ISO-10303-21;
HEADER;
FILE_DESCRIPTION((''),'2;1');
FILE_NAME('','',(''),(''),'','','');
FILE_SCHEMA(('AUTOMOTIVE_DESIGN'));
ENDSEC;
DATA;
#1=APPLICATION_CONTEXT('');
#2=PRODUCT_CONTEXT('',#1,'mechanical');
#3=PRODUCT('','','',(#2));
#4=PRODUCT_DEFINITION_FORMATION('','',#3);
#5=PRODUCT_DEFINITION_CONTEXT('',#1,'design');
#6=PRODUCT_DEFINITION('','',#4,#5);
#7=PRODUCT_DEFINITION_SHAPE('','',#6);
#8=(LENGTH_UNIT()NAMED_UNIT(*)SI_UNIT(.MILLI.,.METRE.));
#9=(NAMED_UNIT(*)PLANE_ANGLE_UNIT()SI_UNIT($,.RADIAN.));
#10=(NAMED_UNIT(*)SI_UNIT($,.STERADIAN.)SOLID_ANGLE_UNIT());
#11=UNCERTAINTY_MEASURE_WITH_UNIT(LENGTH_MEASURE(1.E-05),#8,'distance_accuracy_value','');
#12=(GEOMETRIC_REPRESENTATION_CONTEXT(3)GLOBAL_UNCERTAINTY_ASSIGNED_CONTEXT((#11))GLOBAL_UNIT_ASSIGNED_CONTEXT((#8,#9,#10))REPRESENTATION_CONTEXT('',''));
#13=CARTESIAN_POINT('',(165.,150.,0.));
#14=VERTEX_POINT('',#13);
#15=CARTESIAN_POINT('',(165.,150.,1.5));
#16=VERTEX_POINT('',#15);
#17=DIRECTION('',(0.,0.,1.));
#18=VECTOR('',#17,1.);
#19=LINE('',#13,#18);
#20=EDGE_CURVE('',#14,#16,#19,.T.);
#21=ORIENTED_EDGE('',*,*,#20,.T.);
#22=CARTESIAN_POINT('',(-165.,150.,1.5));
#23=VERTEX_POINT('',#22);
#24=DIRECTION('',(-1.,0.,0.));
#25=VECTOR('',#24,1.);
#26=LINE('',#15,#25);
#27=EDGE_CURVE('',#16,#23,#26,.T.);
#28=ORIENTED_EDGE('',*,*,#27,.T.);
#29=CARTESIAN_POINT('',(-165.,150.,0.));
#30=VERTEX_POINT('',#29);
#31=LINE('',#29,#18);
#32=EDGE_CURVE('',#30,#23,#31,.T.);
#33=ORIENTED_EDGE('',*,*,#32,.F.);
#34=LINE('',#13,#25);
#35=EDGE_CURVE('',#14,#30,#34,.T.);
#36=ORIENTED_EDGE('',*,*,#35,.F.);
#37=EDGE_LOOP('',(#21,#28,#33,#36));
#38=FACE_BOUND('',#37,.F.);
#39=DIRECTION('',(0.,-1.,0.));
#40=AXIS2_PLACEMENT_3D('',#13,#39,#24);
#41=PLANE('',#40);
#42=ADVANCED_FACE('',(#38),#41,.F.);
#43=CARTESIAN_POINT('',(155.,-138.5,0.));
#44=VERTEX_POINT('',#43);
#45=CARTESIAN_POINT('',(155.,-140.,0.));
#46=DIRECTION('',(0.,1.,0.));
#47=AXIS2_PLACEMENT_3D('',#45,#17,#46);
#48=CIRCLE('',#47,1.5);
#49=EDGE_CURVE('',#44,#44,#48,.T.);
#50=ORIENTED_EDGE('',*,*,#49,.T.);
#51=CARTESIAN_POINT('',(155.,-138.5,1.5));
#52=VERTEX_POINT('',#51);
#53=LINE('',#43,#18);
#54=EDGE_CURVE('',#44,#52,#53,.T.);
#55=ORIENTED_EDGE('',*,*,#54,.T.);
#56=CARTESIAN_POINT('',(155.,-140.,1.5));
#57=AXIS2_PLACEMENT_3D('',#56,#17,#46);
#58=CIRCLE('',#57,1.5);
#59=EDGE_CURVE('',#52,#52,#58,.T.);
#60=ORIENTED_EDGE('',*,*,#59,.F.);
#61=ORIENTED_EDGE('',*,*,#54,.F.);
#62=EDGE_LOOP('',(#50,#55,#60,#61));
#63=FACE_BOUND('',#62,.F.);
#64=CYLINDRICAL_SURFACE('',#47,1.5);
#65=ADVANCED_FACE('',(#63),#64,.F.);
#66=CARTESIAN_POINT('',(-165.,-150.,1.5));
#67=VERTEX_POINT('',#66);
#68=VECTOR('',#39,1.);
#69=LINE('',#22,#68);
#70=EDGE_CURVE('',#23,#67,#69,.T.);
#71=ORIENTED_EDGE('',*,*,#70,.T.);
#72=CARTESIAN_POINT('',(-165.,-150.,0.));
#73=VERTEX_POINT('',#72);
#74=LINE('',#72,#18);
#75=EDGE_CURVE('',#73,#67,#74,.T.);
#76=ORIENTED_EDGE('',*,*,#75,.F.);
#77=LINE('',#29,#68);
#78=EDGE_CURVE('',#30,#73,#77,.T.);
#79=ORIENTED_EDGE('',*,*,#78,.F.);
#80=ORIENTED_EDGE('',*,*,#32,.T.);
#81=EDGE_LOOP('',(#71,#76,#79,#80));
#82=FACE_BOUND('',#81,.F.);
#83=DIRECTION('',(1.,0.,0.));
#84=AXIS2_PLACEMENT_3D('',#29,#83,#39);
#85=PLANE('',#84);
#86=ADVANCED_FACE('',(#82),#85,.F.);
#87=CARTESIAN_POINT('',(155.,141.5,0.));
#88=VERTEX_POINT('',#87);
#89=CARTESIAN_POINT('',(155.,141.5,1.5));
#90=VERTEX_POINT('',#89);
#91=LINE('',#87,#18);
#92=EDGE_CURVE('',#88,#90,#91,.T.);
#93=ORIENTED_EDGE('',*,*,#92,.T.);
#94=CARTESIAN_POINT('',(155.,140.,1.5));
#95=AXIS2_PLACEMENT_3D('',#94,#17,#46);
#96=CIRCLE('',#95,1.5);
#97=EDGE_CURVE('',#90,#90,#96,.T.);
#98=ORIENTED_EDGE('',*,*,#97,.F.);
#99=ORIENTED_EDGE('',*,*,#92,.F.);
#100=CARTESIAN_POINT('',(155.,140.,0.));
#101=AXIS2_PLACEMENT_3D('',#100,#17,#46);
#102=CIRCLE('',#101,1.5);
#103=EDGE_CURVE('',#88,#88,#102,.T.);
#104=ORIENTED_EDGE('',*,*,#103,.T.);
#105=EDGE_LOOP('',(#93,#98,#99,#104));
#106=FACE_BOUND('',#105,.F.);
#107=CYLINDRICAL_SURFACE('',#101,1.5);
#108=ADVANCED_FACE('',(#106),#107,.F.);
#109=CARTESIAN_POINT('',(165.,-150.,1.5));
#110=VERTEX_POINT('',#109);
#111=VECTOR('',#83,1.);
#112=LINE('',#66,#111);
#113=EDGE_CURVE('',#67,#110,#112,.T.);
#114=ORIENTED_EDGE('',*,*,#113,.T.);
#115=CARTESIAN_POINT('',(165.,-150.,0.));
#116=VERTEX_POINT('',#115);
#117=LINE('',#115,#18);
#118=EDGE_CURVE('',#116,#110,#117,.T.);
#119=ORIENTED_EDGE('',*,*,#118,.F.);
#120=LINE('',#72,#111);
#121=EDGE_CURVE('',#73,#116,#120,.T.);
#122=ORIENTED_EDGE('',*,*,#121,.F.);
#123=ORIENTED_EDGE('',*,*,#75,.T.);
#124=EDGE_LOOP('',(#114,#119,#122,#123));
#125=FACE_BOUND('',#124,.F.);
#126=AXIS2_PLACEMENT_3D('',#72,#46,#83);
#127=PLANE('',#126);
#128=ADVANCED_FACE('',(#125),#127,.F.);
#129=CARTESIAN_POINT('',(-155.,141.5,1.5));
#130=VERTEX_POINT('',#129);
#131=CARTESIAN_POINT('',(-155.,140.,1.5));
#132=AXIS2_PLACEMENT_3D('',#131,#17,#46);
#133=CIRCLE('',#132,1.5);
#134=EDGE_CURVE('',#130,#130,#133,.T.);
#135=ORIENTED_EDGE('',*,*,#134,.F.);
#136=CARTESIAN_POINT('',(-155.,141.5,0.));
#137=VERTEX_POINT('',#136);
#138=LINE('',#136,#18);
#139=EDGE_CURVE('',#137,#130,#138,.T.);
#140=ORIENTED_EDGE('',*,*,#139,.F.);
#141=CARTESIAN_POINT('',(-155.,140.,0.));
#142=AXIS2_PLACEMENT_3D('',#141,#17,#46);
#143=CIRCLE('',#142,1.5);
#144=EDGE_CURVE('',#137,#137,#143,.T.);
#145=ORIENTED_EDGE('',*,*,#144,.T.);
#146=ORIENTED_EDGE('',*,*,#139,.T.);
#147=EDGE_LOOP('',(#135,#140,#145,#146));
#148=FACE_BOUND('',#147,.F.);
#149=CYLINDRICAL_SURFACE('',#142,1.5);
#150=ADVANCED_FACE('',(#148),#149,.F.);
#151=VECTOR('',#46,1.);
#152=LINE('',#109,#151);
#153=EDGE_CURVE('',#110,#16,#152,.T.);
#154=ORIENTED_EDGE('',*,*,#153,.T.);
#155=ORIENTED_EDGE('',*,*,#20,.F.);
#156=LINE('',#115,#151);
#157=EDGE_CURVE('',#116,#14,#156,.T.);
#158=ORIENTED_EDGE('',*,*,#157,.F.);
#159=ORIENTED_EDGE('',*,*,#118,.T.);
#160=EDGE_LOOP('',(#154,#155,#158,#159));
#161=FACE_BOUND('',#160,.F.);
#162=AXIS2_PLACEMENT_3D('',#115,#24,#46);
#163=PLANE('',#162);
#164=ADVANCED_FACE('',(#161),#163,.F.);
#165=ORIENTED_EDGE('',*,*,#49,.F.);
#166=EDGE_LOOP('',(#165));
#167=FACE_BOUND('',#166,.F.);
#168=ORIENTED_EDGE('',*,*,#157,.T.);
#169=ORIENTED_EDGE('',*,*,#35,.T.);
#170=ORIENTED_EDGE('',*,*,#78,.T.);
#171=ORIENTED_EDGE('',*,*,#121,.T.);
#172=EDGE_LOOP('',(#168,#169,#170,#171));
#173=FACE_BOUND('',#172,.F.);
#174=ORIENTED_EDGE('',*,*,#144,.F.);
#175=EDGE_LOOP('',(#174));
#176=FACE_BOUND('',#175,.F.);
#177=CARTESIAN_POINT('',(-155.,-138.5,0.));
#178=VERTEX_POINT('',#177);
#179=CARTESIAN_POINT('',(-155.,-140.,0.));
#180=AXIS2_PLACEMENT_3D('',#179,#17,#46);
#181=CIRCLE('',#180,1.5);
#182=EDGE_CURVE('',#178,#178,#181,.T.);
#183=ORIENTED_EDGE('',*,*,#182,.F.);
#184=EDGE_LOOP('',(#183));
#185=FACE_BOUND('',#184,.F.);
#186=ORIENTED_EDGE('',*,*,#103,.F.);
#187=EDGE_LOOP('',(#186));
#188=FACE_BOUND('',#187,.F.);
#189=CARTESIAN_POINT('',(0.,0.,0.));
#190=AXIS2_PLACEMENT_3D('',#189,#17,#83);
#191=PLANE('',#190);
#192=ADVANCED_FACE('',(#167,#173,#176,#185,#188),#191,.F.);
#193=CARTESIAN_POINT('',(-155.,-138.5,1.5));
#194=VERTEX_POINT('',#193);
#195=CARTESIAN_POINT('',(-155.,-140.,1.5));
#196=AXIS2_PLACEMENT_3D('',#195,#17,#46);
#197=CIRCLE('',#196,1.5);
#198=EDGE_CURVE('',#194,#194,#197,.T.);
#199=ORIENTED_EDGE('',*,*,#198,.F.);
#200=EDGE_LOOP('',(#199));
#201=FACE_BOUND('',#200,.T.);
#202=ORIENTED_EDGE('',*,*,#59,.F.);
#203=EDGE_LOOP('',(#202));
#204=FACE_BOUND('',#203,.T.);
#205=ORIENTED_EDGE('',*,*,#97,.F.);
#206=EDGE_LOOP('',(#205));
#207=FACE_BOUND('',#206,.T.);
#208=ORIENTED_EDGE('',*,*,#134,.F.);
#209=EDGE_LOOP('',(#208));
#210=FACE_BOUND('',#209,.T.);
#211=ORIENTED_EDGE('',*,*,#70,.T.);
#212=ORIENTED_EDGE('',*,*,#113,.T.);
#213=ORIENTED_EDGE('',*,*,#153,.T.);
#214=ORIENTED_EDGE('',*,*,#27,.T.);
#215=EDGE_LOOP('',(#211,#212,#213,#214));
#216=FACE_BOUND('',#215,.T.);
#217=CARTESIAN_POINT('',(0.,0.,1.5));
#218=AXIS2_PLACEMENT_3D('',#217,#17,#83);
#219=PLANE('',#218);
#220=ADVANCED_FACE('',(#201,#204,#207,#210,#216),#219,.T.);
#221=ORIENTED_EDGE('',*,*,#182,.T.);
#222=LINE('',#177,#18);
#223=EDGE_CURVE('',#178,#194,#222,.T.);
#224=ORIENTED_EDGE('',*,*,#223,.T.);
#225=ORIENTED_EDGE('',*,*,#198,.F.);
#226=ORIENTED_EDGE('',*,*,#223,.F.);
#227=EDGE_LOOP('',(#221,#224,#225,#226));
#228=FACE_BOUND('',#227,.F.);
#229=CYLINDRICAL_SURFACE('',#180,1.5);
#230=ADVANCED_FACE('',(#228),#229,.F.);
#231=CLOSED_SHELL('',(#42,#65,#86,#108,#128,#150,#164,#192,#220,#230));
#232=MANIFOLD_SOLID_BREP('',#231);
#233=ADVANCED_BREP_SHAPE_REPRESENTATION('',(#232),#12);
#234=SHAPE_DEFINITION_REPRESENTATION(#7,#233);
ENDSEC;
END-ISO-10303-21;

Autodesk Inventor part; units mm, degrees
ref_plane "YZ Plane" through (0, 0, 0) normal (1, 0, 0) x (0, 1, 0)
ref_plane "XZ Plane" through (0, 0, 0) normal (0, 1, 0) x (-1, 0, 0)
ref_plane "XY Plane" through (0, 0, 0) normal (0, 0, 1) x (1, 0, 0)
sketch "Sketch1" plane through (0, 0, 0) normal (0, 0, 1) x (1, 0, 0)
  line L0 (-165, -150) -> (165, -150)
  line L1 (165, -150) -> (165, 150)
  line L2 (165, 150) -> (-165, 150)
  line L3 (-165, 150) -> (-165, -150)
  line L4 (-165, -150) -> (165, 150) construction
  line L5 (165, -150) -> (-165, 150) construction
  line L6 (-155, -140) -> (155, -140) construction
  line L7 (155, -140) -> (155, 140) construction
  line L8 (155, 140) -> (-155, 140) construction
  line L9 (-155, 140) -> (-155, -140) construction
  line L10 (-155, -140) -> (155, 140) construction
  line L11 (155, -140) -> (-155, 140) construction
  point P0 (0, 0)
  dimension "d0" = 330
  dimension "d1" = 300
  dimension "d4" = 310
  dimension "d5" = 280
extrude "Extrusion1" add sketch "Sketch1" along normal blind 1.5
hole "Hole1" at (-155, 140, 0) at (-155, -140, 0) at (155, -140, 0) at (155, 140, 0) direction (0, 0, 1) diameter 3 end through all
properties part number "haetbed300"
